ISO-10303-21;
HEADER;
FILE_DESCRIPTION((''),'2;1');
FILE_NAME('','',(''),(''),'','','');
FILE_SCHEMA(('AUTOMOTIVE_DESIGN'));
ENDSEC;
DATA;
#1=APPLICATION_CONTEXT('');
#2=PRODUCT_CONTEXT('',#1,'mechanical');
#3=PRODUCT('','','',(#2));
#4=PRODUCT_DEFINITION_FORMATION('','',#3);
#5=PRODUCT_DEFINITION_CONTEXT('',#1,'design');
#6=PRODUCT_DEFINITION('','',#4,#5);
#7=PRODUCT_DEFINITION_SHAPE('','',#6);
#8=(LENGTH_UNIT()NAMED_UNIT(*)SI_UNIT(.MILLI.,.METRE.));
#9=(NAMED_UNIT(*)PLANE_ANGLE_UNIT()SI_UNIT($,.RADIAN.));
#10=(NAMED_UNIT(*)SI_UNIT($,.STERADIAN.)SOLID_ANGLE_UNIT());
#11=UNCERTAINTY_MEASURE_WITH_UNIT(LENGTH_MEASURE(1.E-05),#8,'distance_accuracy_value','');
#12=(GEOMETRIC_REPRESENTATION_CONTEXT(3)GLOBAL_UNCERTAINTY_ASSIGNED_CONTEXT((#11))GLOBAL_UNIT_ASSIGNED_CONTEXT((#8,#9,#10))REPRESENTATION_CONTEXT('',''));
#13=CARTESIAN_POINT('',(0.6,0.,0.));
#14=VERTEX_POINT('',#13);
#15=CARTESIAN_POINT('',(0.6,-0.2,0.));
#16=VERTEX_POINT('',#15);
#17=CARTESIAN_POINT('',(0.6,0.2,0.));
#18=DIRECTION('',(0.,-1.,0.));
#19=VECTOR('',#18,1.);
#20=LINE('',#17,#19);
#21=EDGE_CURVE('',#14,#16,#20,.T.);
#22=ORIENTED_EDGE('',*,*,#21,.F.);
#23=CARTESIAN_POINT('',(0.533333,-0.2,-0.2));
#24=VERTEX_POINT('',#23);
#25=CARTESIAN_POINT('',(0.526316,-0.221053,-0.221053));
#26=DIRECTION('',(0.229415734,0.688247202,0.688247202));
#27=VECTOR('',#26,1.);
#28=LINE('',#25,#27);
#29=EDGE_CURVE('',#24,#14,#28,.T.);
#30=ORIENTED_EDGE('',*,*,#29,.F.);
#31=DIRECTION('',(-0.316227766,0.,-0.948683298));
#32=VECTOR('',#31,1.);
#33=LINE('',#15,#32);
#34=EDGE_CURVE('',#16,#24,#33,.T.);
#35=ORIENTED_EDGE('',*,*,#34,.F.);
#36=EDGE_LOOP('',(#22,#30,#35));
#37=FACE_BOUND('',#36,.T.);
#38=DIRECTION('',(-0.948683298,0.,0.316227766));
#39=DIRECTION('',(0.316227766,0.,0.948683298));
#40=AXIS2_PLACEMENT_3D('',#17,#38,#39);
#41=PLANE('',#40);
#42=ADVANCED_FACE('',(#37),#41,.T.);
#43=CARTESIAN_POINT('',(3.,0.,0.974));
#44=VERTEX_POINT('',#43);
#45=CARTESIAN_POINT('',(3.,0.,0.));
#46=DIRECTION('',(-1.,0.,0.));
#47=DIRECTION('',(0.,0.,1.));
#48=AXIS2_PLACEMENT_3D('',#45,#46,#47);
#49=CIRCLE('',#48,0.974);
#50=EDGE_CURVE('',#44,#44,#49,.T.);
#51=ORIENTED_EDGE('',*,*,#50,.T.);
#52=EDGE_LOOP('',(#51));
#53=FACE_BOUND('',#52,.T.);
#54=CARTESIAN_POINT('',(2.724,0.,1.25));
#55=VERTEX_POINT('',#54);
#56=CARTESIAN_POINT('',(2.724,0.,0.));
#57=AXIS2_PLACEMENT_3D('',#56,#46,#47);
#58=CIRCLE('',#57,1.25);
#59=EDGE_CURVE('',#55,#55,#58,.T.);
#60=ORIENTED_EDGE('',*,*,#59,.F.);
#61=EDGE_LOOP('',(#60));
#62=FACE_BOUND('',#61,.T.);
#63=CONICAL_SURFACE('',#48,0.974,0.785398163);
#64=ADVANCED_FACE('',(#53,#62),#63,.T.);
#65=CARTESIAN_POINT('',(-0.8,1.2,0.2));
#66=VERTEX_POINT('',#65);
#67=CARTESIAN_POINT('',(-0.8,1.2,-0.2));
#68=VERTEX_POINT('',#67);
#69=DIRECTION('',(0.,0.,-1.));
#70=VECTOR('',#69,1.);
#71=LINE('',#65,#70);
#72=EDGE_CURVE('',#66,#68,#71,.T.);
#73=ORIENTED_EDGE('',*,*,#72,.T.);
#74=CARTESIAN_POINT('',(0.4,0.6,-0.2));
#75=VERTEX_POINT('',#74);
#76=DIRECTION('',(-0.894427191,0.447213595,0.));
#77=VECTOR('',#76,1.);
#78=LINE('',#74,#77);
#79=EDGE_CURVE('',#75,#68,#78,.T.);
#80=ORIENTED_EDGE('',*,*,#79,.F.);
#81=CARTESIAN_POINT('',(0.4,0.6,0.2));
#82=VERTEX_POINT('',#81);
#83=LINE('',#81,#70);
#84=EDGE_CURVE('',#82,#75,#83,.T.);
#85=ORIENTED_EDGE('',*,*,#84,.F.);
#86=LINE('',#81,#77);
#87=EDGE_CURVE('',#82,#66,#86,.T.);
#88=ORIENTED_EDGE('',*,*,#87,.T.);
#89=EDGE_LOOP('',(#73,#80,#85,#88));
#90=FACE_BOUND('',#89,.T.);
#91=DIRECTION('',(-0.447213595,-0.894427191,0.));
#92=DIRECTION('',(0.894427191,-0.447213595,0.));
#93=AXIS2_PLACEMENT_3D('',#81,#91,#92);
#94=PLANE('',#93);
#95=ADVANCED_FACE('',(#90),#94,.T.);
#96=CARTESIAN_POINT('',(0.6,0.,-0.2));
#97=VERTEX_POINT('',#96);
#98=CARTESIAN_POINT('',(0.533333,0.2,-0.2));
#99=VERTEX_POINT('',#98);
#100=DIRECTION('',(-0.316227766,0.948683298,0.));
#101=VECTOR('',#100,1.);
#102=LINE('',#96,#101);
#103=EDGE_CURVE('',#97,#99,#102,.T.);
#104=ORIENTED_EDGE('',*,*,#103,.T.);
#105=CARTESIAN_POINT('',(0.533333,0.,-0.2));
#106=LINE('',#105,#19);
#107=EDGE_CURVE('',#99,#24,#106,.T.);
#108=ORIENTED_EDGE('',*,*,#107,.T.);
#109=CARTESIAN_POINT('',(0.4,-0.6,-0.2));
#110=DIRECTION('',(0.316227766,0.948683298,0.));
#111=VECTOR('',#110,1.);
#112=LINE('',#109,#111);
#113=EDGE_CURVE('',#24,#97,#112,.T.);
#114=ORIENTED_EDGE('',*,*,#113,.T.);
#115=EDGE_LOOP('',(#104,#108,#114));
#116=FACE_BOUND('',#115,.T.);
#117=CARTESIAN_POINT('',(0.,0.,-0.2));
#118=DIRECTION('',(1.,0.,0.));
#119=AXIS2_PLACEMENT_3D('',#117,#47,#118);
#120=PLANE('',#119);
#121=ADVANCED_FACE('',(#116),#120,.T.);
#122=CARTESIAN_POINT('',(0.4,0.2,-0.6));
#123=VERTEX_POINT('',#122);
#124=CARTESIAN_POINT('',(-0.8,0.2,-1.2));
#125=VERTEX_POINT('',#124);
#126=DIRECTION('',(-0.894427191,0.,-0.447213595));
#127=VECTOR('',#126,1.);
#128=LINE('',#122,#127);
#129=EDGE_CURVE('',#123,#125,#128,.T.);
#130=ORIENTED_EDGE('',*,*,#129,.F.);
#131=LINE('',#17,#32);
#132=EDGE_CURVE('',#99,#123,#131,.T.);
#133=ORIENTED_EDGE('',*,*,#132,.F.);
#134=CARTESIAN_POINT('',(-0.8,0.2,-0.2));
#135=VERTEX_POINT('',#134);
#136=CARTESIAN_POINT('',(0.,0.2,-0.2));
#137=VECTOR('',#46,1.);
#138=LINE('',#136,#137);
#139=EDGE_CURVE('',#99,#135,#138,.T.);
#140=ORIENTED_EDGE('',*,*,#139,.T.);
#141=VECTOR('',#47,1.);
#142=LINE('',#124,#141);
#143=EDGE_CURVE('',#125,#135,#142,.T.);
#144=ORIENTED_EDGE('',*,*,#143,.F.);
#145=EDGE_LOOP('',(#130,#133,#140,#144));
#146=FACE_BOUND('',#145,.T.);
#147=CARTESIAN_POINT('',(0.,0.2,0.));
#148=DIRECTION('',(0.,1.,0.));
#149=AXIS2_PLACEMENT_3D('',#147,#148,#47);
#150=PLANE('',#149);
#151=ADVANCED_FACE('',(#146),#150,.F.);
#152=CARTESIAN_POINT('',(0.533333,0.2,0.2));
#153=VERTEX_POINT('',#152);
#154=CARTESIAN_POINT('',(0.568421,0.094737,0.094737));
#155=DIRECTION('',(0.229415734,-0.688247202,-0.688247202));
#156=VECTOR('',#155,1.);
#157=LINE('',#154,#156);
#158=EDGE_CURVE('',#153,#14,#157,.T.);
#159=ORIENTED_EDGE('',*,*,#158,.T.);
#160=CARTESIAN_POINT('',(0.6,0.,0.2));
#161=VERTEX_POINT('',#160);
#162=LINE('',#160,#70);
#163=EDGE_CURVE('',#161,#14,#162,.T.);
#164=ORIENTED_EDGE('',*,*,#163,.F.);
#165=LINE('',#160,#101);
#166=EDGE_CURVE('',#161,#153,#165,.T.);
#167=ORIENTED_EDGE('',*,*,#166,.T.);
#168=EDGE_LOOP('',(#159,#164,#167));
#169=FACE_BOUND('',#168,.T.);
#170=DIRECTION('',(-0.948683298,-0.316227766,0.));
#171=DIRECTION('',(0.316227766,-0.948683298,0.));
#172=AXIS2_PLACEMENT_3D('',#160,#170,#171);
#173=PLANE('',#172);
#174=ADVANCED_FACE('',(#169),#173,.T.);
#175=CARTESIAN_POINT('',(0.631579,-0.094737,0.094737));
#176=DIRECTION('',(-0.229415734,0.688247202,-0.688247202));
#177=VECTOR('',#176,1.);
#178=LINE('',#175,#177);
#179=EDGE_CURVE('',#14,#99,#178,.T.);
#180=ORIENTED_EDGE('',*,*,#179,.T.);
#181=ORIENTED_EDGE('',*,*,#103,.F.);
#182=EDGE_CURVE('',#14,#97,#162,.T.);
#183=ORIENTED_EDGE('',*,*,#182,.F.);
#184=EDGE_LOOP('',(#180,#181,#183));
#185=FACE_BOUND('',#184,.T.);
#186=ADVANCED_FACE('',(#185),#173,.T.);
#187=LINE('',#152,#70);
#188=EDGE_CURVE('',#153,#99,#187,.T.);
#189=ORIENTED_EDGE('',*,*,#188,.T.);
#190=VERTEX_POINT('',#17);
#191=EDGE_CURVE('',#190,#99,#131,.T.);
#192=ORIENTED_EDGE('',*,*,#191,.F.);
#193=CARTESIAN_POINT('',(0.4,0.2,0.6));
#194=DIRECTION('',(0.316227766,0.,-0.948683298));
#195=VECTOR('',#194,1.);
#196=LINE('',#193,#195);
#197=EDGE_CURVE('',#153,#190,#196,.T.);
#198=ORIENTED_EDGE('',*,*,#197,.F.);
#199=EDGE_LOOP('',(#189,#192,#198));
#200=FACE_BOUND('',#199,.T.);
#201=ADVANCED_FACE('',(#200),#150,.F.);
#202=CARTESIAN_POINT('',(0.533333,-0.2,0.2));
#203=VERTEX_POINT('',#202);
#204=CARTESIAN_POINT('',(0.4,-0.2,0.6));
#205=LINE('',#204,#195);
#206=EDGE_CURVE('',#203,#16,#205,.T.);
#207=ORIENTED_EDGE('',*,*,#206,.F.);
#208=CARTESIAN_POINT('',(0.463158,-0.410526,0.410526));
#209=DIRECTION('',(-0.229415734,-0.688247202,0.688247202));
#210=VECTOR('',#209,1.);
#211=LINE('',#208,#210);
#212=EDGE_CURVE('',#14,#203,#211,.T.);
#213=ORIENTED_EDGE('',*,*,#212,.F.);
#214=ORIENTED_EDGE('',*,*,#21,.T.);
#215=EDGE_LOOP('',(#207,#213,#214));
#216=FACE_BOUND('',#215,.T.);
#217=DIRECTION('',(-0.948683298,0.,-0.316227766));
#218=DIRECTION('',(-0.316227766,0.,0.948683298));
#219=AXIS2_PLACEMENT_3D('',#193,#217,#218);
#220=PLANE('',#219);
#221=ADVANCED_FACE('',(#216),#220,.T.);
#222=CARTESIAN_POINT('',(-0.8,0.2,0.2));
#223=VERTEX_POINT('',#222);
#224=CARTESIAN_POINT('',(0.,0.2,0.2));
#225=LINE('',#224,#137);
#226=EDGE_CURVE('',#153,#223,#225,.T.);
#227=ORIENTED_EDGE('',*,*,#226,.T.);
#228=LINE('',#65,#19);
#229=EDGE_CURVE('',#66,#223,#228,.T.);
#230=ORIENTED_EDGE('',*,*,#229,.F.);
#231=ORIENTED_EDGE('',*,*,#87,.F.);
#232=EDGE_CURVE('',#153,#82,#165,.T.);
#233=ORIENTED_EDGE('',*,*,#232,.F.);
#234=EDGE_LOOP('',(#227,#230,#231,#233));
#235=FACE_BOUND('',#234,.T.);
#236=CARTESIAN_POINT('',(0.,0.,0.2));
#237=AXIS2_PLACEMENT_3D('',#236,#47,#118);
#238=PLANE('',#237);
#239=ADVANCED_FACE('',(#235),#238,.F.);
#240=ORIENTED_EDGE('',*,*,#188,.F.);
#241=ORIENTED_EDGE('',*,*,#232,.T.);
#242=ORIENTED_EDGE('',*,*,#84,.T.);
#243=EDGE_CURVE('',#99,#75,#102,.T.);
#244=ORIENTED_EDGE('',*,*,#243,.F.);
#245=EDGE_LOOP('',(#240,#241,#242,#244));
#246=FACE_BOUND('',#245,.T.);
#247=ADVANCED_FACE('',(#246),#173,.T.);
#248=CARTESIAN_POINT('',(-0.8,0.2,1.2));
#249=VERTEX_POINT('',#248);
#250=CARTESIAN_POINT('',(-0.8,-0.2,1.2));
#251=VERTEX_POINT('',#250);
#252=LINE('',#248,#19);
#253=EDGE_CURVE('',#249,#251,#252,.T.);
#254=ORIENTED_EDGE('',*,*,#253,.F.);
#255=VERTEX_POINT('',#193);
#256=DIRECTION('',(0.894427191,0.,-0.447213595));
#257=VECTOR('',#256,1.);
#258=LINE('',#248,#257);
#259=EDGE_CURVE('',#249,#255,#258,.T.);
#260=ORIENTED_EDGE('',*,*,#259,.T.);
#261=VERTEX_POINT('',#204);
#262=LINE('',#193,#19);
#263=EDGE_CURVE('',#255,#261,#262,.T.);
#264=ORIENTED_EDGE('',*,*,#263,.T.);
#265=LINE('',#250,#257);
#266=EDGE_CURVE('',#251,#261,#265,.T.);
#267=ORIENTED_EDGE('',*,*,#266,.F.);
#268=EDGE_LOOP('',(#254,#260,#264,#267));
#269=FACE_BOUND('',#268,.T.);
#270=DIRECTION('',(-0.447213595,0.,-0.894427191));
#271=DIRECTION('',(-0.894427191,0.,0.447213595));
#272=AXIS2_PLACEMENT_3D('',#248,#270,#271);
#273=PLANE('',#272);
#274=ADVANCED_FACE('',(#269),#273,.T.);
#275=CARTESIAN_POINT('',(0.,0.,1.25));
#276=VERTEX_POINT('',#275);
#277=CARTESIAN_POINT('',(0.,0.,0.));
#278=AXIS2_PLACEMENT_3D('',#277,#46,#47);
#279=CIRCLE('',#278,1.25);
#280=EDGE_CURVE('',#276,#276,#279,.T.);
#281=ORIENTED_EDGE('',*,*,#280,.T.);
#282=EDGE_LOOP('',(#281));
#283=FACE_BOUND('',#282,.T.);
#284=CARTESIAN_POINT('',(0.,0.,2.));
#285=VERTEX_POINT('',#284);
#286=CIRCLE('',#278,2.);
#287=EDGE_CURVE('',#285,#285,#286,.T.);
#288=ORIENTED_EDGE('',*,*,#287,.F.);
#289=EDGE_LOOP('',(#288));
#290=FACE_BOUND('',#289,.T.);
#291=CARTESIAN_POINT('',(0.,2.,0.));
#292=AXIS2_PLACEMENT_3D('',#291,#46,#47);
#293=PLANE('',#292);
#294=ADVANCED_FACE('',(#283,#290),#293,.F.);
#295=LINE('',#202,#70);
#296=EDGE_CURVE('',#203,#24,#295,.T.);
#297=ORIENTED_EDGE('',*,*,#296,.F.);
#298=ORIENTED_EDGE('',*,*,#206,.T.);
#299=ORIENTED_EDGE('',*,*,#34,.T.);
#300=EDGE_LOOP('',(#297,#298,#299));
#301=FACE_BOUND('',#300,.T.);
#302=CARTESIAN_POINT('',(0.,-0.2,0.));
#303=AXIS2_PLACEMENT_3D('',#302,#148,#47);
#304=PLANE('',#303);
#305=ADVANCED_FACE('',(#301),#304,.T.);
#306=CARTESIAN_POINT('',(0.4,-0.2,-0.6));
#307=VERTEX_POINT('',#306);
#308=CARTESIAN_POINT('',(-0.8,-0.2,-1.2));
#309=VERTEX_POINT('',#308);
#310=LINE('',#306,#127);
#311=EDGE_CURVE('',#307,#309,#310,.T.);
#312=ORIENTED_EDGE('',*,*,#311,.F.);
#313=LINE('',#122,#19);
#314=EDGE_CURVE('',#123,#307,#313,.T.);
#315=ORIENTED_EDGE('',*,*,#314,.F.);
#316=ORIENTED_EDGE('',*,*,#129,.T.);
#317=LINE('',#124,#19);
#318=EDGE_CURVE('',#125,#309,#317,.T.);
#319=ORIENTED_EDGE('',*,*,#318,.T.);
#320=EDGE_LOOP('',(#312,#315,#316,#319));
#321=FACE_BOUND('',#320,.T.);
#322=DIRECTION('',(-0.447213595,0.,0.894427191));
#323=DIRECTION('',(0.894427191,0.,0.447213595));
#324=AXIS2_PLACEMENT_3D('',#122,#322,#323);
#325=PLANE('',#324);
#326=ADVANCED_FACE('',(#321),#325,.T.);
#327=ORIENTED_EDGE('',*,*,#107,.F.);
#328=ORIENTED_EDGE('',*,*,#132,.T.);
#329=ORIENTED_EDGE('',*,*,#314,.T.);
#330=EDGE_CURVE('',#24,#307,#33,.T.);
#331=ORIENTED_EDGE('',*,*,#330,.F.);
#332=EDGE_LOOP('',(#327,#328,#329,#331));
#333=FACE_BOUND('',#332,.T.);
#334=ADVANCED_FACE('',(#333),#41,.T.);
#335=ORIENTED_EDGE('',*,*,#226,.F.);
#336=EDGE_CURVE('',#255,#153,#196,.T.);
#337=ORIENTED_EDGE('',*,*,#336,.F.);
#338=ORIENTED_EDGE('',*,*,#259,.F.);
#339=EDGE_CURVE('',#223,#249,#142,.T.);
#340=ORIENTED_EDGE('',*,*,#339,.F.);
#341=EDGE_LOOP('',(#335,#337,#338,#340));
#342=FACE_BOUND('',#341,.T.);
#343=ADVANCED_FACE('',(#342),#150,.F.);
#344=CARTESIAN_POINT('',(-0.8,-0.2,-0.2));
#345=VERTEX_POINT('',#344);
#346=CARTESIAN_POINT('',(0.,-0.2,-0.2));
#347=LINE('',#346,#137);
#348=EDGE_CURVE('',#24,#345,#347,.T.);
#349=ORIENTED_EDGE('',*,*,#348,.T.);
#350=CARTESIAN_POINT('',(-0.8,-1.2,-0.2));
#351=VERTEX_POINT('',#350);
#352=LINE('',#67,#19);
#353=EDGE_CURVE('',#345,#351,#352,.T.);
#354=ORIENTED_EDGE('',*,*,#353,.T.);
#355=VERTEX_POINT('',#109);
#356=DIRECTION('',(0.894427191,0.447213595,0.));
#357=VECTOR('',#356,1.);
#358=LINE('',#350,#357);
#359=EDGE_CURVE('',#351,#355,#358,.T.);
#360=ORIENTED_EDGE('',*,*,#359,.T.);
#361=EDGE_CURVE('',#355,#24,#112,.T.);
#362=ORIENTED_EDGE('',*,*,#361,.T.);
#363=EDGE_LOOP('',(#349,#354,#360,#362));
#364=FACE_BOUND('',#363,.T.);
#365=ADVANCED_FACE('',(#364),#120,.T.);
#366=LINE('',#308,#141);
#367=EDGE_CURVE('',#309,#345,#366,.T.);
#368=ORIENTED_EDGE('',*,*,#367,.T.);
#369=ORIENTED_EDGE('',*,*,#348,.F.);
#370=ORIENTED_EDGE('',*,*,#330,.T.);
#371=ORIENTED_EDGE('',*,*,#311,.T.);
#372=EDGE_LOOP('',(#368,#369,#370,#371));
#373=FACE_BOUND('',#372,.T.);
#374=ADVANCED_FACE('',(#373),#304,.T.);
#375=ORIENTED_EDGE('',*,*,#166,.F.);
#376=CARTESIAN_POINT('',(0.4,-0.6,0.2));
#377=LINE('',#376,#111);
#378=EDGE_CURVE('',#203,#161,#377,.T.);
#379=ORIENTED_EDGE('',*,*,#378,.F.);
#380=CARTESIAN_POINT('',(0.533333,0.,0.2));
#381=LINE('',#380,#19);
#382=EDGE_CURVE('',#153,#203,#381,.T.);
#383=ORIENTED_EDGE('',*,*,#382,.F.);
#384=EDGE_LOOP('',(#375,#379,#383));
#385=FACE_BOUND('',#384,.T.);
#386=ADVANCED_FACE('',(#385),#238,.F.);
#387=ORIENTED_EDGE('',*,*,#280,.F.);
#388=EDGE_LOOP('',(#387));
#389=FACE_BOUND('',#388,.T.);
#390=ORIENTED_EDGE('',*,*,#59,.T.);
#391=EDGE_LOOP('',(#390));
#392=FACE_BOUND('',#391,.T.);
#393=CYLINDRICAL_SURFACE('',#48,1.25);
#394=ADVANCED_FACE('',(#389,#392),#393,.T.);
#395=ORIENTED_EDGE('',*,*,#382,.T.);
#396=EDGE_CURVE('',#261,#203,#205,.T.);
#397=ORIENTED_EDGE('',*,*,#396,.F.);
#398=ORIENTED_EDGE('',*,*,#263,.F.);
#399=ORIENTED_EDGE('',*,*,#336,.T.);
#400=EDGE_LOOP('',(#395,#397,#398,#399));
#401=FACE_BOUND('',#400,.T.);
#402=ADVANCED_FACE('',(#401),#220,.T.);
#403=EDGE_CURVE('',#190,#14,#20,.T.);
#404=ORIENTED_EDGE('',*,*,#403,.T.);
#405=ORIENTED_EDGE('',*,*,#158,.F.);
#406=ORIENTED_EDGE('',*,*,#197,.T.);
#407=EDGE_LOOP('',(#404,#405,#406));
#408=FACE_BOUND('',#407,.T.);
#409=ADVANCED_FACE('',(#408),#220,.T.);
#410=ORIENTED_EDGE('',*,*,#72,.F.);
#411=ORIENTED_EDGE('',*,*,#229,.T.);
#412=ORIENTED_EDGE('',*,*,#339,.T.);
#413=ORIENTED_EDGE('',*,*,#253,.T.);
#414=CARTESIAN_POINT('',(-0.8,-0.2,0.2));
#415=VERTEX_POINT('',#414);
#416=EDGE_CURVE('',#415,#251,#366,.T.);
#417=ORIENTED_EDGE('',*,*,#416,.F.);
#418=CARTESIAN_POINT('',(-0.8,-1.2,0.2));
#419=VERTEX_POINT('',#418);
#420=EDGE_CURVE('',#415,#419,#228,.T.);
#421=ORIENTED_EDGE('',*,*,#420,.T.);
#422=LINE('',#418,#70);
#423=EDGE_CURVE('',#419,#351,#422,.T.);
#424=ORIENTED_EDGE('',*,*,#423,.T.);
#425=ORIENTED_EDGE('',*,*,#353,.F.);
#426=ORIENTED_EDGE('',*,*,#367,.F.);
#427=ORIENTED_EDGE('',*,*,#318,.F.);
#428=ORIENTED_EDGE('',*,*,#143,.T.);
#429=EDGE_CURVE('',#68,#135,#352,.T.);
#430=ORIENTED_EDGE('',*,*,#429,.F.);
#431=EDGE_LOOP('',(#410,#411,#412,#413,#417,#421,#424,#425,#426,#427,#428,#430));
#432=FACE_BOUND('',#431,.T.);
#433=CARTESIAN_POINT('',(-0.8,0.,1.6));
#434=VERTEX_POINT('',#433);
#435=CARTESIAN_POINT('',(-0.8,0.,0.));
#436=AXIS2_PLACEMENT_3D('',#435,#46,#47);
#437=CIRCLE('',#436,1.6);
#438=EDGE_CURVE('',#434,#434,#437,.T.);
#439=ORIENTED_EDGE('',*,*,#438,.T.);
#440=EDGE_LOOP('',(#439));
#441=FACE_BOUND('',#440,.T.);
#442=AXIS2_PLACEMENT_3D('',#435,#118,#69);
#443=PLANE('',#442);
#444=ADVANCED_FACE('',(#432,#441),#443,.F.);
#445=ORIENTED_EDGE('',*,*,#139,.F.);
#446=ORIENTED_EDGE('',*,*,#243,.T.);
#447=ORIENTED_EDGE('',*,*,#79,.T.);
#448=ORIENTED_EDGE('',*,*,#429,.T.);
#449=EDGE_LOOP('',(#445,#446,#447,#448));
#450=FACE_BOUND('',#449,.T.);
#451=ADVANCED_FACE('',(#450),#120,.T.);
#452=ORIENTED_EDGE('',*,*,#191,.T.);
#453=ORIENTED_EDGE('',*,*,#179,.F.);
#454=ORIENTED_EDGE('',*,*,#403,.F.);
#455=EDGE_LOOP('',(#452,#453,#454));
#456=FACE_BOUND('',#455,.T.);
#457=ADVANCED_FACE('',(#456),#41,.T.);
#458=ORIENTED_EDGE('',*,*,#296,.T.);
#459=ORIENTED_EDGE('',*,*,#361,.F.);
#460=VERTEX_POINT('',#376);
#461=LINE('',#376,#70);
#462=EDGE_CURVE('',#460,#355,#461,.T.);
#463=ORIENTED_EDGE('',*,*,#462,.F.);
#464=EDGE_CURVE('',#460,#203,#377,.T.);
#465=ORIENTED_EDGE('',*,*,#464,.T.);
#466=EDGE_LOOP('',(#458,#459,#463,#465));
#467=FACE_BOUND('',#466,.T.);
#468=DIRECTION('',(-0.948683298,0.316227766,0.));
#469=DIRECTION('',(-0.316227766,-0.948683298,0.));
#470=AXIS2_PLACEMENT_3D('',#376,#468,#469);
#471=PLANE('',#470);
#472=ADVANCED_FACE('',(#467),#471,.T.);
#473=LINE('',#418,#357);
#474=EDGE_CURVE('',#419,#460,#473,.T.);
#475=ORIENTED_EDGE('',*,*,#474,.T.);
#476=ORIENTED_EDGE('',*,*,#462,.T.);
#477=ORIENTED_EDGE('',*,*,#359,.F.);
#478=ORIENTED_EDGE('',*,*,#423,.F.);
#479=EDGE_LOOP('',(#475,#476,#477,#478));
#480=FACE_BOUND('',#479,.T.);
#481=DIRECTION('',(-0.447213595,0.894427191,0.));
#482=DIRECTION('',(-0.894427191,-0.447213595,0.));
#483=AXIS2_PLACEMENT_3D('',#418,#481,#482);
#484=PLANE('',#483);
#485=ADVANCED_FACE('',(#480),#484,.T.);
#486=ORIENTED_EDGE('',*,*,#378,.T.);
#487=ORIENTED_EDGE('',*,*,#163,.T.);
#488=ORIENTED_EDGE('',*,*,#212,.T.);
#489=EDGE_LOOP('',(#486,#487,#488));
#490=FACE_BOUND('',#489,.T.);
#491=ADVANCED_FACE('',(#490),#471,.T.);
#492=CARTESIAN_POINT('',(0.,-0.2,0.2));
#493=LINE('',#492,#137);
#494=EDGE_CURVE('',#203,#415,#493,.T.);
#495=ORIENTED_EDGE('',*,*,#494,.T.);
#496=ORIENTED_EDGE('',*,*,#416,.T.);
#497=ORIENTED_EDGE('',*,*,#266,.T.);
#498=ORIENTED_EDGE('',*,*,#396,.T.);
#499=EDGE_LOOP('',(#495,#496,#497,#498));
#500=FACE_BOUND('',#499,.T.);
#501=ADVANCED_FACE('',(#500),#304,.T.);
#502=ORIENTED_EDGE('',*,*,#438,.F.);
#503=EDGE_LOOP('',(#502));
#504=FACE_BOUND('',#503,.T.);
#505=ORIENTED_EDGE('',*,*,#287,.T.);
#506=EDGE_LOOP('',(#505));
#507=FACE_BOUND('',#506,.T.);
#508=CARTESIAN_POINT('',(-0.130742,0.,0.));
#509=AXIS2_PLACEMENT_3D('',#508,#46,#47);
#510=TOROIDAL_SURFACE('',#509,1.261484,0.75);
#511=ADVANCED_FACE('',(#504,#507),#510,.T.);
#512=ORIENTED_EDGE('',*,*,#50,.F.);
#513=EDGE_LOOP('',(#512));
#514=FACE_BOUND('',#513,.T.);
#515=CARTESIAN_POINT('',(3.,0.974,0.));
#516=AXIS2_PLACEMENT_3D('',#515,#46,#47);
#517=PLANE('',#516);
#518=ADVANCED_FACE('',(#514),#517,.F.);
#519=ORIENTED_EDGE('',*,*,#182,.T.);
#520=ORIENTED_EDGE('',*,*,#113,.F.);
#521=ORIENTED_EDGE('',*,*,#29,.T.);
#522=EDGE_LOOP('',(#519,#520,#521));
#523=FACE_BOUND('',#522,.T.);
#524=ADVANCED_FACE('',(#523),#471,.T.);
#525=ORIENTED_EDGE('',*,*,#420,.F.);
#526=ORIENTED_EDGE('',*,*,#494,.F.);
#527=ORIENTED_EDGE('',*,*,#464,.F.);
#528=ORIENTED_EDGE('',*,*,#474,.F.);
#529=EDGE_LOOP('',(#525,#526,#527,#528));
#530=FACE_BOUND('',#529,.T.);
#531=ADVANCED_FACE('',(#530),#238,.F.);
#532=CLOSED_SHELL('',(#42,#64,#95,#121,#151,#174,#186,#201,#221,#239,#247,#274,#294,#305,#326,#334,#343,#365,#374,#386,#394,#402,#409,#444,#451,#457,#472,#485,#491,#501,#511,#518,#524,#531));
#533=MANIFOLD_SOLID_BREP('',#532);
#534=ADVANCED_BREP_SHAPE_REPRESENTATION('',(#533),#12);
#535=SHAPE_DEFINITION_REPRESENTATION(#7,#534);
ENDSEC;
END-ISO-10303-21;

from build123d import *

# Parameters (mm, degrees)
CUT_EXTRUDE1_DEPTH      = 0.2
CUT_EXTRUDE1_DEPTH_BACK = 0.2
CUT_EXTRUDE2_DEPTH      = 0.2
CUT_EXTRUDE2_DEPTH_BACK = 0.2


with BuildPart() as part:
    # Sketch1 → Revolve1 (revolve)
    with BuildSketch(Plane.XY):
        with BuildLine():
            Line((-0.8, 0), (-0.8, 1.6))
            ThreePointArc((-0.8, 1.6), (-0.466151956, 1.932303913), (0, 2))
            Line((0, 2), (0, 1.25))
            Line((0, 1.25), (2.724, 1.25))
            Line((2.724, 1.25), (3, 0.974))
            Line((3, 0.974), (3, 0))
            Line((3, 0), (-0.8, 0))
        make_face()
    revolve(axis=Axis((3, 0, 0), (-1, 0, 0)))

    # Sketch2 → Cut-Extrude1 (cut, two sides: drawn at the far end of the back side and taken through both)
    with BuildSketch(Plane.XY.offset(-CUT_EXTRUDE1_DEPTH_BACK)):
        Polygon((-0.8, -1.2), (0.4, -0.6), (0.6, 0), (0.4, 0.6), (-0.8, 1.2), align=None)
    extrude(amount=CUT_EXTRUDE1_DEPTH + CUT_EXTRUDE1_DEPTH_BACK, mode=Mode.SUBTRACT)

    # Sketch3 → Cut-Extrude2 (cut, two sides: drawn at the far end of the back side and taken through both)
    with BuildSketch(Plane(origin=(0, 0, 0), x_dir=(1, 0, 0), z_dir=(0, 1, 0)).offset(-CUT_EXTRUDE2_DEPTH_BACK)):
        Polygon((-0.8, -1.2), (0.4, -0.6), (0.6, 0), (0.4, 0.6), (-0.8, 1.2), align=None)
    extrude(amount=CUT_EXTRUDE2_DEPTH + CUT_EXTRUDE2_DEPTH_BACK, mode=Mode.SUBTRACT)


solid = part.part
